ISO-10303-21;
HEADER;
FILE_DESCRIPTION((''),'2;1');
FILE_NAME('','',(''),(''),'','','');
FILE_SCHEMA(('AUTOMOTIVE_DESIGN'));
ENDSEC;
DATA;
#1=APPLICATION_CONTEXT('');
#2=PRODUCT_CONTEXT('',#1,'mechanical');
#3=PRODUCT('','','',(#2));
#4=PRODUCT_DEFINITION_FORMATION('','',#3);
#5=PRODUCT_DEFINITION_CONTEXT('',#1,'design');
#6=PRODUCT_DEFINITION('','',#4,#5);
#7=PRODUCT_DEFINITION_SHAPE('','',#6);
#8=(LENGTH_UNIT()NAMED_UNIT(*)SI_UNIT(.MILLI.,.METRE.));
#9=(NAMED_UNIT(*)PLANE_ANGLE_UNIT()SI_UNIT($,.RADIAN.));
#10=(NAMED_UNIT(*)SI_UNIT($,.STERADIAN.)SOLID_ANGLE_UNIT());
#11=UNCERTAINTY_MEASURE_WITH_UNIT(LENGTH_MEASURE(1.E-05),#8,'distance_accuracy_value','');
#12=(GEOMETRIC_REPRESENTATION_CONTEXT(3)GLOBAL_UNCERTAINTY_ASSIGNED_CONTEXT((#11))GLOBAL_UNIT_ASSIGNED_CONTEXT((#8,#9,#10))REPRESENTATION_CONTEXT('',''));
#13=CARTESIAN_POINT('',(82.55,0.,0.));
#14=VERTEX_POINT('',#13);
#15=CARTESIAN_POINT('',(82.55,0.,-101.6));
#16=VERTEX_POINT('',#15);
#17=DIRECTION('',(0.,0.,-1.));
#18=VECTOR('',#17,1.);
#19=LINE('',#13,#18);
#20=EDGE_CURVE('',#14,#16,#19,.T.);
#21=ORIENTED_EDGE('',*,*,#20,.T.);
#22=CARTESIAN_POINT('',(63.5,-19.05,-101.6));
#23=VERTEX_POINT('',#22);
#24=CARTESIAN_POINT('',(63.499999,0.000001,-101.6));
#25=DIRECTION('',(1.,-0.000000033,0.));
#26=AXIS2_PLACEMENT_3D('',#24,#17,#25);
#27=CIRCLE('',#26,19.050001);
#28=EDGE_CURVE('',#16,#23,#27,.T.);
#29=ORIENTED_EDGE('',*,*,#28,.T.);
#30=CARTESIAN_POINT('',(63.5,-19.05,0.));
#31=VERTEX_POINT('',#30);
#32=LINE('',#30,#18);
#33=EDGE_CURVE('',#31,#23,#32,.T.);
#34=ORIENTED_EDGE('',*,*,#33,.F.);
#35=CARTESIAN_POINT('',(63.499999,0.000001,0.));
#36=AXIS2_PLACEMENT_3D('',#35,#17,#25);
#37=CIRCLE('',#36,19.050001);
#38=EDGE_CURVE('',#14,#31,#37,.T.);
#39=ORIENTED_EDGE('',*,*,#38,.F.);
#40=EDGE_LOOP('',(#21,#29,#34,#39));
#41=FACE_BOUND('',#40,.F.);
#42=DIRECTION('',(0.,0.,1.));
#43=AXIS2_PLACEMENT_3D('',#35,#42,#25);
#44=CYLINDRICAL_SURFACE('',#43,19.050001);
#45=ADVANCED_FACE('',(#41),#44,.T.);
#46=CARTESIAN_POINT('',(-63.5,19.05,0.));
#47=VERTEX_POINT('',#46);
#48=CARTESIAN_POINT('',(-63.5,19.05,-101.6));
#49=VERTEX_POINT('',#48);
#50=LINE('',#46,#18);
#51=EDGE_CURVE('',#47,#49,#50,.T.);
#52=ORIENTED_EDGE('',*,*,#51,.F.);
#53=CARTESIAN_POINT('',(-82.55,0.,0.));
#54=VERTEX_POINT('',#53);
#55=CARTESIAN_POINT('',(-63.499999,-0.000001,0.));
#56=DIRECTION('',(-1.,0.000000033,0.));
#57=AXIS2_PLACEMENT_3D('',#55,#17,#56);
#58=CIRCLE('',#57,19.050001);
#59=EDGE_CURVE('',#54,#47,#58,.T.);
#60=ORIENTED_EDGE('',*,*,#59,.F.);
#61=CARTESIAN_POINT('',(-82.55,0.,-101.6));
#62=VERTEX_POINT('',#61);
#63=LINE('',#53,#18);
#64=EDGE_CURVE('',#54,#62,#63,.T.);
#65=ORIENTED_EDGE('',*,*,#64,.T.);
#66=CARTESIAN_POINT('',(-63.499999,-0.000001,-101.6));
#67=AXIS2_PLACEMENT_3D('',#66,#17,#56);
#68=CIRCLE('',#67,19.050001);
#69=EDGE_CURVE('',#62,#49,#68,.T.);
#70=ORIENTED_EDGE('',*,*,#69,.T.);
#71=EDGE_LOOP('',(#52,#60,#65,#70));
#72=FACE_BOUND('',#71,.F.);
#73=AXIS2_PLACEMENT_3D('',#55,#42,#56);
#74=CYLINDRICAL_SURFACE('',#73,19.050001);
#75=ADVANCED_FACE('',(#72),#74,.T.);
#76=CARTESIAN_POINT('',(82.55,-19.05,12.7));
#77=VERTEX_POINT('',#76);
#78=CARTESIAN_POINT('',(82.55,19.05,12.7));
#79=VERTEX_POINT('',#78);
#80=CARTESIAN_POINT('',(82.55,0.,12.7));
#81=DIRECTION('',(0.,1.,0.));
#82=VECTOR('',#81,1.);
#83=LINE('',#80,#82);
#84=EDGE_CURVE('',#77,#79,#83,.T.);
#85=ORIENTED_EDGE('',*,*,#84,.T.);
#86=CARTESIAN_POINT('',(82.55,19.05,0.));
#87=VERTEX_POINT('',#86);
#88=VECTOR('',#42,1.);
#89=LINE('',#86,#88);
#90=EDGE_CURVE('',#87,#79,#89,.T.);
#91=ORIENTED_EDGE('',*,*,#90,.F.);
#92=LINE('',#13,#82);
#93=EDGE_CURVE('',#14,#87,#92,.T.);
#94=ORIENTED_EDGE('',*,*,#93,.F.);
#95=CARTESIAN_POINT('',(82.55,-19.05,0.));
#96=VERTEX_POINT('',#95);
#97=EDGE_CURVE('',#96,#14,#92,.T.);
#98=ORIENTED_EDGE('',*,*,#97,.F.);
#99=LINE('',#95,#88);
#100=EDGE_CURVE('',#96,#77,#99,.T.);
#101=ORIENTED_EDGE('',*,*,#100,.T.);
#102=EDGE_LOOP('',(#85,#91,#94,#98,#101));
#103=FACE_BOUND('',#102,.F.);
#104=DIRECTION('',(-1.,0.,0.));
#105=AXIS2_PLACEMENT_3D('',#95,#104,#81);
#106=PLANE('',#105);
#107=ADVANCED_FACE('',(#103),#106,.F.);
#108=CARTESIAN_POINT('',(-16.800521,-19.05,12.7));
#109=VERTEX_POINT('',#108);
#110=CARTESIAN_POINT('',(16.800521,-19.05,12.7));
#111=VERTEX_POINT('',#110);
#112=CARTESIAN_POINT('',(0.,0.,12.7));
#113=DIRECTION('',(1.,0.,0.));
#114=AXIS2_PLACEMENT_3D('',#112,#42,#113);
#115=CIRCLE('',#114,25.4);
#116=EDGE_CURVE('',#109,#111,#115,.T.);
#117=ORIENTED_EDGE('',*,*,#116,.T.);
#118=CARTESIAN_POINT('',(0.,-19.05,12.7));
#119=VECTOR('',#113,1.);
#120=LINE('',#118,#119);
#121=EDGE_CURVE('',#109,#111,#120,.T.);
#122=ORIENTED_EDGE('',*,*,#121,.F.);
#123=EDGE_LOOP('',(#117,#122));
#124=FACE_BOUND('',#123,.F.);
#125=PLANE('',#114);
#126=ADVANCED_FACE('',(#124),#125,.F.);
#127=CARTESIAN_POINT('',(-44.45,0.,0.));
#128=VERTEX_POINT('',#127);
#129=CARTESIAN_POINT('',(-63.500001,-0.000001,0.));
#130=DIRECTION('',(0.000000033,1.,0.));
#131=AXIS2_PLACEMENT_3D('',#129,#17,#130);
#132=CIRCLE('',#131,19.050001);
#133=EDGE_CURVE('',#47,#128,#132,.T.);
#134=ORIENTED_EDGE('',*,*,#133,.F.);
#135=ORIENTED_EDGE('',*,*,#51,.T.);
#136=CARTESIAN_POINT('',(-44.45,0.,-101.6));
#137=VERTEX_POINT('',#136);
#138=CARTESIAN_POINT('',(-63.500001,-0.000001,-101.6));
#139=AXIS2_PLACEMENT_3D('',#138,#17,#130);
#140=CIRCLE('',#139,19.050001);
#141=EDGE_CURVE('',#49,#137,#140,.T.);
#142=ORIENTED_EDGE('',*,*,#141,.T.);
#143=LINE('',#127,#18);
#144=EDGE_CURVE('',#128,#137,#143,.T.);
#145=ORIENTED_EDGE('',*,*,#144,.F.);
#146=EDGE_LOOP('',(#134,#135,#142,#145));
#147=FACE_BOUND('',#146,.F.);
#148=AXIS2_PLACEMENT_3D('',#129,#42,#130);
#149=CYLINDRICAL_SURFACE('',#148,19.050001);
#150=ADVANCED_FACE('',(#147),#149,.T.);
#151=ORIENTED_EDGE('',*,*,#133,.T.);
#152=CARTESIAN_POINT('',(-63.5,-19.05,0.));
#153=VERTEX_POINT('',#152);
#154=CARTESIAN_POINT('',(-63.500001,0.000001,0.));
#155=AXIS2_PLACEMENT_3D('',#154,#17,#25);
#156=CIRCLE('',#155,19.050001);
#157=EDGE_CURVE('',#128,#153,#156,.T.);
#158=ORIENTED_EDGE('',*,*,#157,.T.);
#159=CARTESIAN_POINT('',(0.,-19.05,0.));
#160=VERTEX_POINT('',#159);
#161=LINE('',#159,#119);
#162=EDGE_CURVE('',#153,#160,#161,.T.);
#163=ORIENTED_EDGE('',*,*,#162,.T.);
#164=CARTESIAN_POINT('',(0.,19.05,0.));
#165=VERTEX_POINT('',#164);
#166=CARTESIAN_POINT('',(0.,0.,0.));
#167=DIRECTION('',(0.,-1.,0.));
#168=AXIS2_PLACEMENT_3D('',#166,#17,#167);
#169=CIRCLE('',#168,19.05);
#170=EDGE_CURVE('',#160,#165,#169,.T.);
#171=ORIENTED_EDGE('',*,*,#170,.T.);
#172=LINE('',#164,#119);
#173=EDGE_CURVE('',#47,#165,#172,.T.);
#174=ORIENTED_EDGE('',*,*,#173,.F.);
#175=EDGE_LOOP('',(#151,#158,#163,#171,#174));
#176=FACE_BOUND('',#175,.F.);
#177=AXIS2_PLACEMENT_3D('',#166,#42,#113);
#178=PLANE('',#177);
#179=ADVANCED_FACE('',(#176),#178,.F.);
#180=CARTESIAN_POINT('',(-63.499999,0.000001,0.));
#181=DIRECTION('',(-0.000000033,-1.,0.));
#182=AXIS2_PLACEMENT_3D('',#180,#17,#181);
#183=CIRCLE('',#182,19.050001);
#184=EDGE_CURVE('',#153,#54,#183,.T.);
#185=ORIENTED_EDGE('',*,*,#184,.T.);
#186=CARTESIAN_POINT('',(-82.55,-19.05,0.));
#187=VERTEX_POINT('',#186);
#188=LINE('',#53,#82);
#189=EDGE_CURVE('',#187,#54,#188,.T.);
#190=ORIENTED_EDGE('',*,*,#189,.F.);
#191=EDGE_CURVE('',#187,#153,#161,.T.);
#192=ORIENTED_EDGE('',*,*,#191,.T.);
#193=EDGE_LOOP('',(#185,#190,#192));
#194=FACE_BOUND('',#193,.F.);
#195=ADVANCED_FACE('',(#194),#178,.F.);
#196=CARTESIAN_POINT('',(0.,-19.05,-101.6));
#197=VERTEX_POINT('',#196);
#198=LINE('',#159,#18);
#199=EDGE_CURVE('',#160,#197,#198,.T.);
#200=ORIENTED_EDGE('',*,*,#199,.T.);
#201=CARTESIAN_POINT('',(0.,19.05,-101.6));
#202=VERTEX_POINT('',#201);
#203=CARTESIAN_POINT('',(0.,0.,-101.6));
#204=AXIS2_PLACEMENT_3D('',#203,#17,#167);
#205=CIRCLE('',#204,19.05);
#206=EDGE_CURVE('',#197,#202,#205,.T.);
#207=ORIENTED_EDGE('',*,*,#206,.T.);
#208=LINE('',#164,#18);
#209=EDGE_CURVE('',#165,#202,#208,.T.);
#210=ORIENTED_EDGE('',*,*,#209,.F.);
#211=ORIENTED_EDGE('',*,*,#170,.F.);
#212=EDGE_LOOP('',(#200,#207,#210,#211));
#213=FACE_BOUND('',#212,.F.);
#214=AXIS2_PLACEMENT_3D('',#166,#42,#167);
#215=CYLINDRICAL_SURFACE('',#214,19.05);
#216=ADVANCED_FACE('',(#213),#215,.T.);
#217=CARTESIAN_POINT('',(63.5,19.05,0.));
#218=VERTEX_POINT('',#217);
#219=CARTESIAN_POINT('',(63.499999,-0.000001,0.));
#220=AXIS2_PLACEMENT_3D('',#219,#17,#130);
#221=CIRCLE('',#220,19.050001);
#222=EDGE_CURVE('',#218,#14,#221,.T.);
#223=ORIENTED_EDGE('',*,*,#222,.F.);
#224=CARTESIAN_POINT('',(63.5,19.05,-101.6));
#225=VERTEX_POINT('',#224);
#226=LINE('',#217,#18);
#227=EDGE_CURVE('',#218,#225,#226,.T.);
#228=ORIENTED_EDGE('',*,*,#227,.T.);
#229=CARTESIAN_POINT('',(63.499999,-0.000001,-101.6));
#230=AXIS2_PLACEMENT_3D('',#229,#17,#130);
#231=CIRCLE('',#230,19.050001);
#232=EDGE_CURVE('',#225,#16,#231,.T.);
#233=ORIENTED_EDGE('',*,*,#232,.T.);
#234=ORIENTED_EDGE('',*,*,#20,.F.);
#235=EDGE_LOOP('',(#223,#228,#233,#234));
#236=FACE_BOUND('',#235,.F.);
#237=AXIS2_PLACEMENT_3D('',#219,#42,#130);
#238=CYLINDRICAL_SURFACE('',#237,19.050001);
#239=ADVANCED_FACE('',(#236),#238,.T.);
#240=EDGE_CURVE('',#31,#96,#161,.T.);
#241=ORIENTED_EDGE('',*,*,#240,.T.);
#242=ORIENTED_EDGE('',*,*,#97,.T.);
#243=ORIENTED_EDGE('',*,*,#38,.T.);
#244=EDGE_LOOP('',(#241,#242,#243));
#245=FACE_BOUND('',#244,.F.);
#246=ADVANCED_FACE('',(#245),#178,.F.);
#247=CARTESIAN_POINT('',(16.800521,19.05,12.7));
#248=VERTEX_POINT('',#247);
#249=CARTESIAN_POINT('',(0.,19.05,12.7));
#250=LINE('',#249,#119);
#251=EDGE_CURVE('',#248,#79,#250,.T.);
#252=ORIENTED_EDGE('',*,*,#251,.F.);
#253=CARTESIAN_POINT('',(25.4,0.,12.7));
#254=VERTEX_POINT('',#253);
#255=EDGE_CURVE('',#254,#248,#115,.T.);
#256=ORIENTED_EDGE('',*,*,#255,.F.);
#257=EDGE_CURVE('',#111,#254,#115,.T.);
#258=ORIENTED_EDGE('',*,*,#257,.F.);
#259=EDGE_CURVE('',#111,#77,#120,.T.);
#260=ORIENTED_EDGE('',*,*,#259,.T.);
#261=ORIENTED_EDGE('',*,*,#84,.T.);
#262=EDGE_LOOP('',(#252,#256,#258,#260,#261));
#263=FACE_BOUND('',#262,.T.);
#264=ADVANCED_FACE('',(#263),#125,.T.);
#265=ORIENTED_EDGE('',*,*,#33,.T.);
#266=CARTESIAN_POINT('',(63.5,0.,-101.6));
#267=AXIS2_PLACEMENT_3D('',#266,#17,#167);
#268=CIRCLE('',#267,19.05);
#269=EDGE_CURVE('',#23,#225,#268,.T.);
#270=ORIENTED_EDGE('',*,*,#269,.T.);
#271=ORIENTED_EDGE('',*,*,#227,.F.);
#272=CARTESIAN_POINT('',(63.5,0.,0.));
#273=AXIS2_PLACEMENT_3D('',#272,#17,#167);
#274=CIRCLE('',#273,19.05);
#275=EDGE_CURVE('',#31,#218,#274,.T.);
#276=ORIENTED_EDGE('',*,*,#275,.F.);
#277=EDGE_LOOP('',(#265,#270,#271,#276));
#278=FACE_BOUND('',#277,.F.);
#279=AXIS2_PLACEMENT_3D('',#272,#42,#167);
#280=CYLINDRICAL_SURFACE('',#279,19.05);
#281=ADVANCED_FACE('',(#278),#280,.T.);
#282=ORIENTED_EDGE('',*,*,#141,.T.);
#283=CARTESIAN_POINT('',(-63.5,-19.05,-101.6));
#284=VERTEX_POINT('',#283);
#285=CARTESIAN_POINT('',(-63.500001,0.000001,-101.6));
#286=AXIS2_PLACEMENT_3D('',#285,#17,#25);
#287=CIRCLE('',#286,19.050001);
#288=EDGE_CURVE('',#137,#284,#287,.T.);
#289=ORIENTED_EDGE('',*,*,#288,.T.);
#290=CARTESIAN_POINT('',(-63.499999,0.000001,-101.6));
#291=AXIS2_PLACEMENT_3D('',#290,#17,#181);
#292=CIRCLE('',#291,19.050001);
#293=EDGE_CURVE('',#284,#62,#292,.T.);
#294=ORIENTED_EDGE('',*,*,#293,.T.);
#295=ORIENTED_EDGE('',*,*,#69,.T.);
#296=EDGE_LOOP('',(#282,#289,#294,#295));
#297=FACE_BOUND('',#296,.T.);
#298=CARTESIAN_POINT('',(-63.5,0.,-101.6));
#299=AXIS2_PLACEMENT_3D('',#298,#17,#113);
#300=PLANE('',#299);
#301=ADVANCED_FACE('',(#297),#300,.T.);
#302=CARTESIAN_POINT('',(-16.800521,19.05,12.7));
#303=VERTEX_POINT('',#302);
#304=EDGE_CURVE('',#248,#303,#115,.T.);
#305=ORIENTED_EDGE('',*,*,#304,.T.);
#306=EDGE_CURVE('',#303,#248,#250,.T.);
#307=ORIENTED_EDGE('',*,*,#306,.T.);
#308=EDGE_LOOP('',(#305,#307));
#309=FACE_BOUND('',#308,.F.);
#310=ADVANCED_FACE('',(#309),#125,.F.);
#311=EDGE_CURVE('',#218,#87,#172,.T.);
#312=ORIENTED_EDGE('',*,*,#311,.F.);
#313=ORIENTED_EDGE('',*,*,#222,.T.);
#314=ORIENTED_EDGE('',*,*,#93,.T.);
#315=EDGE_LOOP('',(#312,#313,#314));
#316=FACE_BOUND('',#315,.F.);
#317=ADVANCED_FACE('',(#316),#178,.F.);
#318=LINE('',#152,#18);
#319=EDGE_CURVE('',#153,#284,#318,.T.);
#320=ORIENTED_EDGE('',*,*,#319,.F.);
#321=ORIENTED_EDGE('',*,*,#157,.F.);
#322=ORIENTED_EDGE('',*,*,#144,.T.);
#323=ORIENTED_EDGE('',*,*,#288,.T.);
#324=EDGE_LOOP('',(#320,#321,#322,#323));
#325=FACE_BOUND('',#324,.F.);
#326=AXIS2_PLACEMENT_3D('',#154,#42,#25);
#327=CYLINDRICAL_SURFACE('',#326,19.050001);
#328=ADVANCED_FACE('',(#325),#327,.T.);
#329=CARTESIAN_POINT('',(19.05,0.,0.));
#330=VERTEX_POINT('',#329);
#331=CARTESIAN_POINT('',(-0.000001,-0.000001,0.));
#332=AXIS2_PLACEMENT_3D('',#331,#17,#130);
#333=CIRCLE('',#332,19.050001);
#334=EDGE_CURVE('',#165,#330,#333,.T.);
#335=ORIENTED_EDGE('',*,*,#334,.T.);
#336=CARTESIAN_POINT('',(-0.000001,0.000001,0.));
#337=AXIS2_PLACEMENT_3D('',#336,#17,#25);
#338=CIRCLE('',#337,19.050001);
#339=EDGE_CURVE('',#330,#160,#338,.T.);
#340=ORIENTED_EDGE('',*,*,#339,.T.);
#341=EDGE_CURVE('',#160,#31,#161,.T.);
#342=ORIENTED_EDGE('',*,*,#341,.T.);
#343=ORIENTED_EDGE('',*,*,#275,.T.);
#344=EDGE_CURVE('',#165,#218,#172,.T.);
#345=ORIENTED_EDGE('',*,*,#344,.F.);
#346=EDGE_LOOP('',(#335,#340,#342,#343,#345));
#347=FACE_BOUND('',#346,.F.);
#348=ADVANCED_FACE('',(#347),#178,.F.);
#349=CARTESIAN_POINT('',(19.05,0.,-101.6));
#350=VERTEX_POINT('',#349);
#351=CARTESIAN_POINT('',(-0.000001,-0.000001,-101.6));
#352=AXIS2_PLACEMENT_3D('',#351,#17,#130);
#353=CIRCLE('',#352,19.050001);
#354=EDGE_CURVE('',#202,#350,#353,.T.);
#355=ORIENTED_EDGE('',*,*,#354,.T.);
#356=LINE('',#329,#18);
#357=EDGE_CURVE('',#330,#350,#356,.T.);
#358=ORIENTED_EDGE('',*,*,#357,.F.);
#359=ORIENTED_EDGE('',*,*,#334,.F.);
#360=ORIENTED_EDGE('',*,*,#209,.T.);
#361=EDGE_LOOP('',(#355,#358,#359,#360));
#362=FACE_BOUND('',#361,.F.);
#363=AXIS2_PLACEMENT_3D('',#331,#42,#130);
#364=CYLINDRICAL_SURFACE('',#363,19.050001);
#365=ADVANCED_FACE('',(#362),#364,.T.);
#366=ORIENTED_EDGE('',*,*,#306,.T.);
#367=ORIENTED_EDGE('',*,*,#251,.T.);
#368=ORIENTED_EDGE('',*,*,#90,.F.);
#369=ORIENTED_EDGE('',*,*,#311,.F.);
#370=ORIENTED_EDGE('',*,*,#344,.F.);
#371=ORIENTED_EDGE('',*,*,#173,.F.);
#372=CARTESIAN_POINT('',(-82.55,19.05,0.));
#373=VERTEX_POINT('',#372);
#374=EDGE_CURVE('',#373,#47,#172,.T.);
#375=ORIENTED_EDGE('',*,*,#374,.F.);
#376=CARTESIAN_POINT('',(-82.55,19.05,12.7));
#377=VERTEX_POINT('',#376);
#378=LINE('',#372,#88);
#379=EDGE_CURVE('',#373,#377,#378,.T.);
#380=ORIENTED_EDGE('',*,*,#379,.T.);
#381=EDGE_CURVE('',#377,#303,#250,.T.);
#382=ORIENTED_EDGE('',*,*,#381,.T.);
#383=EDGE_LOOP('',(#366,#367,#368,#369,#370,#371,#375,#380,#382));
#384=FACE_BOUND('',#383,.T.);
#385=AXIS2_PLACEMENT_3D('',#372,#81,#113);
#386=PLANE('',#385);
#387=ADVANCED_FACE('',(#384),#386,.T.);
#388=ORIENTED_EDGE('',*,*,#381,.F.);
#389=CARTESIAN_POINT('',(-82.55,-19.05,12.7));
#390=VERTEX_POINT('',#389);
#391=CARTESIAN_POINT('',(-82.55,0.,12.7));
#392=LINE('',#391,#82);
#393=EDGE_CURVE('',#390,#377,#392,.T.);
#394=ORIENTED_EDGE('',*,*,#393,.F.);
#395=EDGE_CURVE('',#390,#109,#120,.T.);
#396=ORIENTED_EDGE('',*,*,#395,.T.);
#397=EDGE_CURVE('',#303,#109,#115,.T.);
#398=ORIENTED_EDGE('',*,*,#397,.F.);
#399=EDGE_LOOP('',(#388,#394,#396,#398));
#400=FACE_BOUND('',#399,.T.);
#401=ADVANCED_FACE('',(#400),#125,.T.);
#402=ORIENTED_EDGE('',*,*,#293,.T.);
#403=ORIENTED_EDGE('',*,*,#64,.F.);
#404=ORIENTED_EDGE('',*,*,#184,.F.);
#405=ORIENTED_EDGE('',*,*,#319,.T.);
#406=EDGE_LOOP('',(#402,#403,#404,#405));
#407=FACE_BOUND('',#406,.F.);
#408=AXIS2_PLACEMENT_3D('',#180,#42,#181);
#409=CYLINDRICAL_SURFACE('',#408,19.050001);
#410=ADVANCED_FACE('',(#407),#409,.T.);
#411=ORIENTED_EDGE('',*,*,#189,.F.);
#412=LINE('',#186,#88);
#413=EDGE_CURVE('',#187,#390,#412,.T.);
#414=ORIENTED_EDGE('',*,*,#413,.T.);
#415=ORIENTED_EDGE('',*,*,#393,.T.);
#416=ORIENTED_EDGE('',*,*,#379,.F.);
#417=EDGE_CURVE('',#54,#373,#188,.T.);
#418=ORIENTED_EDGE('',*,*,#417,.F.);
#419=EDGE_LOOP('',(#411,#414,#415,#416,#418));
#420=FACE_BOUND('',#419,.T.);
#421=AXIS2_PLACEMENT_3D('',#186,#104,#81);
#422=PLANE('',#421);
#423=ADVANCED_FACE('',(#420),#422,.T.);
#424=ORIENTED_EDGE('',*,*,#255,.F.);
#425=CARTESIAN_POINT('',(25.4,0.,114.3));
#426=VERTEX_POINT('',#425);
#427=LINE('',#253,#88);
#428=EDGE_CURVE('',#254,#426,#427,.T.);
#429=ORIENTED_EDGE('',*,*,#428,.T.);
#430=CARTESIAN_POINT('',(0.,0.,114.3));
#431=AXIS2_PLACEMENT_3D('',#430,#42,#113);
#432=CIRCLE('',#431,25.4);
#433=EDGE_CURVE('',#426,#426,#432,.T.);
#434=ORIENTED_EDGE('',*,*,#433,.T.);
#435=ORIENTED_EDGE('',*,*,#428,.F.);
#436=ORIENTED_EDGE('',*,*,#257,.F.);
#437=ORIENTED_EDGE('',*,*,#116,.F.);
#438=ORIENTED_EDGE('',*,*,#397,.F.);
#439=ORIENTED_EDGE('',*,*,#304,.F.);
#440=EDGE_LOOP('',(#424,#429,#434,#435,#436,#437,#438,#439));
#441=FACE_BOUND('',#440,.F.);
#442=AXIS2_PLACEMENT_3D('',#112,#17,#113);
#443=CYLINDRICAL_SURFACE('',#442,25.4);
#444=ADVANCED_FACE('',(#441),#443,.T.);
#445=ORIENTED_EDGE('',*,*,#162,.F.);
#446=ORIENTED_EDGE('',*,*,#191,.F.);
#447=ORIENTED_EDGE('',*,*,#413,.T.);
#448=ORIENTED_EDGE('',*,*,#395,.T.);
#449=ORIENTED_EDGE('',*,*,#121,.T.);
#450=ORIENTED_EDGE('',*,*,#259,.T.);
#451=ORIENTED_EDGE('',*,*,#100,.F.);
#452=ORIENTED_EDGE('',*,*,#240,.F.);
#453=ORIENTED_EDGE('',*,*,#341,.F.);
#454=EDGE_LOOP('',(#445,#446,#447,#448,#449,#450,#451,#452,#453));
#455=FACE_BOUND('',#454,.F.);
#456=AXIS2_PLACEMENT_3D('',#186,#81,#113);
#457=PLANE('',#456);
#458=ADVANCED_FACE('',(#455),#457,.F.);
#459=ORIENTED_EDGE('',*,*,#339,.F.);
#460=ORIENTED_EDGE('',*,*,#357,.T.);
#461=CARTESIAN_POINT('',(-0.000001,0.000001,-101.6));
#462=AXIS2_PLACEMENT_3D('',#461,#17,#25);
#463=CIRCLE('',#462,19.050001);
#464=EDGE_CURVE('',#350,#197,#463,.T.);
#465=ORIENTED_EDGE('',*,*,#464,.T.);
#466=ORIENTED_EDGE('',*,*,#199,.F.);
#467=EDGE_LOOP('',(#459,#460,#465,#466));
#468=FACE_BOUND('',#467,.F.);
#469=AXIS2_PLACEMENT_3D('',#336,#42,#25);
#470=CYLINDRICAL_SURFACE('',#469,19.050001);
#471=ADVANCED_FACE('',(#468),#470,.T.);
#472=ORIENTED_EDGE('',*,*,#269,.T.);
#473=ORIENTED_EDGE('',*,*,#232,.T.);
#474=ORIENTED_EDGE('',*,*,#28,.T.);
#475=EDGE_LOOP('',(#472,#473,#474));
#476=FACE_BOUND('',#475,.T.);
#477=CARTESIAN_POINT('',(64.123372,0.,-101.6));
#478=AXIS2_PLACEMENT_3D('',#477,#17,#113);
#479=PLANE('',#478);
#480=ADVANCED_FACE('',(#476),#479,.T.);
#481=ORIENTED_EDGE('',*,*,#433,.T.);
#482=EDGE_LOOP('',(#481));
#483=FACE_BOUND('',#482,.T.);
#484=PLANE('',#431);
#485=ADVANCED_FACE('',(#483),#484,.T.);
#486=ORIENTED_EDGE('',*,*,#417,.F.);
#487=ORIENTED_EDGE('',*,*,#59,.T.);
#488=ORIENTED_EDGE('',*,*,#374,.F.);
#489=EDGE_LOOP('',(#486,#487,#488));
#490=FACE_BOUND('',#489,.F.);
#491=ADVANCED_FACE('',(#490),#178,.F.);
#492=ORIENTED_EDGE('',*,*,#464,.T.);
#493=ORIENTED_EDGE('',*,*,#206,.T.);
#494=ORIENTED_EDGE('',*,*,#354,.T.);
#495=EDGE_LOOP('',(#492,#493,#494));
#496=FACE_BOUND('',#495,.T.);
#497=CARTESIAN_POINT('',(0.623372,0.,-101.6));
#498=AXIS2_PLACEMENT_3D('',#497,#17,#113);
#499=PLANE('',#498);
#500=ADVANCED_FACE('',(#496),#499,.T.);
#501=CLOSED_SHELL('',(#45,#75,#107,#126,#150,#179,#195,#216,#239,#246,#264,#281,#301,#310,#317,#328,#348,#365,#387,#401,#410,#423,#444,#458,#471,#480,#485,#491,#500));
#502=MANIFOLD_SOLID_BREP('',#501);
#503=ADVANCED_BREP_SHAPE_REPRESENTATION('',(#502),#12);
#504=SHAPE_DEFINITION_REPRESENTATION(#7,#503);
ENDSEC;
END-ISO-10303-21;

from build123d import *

# Parameters (mm, degrees)
F0_W     = 165.1
F0_H     = 38.1
F1_DEPTH = 12.7
F2_R     = 25.4
F3_DEPTH = 101.6
F5_DEPTH = 101.6


with BuildPart() as f1:
    # F0 (on Top) → F1 (new body)
    with BuildSketch(Plane.XY):
        Rectangle(F0_W, F0_H)
    extrude(amount=F1_DEPTH)

    # F2 (on face) → F3 (join)
    with BuildSketch(Plane.XY.offset(12.7)):
        Circle(F2_R)
    extrude(amount=F3_DEPTH)

    # F4 (on face) → F5 (join)
    with BuildSketch(Plane(origin=(0, 0, 0), x_dir=(1, 0, 0), z_dir=(0, 0, -1))):
        with BuildLine():
            ThreePointArc((0, -19.05), (13.470384, -13.470384), (19.05, 0))
            ThreePointArc((19.05, 0), (13.470384, 13.470384), (0, 19.05))
            ThreePointArc((0, 19.05), (-19.05, 0), (0, -19.05))
        make_face()
        with BuildLine():
            ThreePointArc((82.55, 0), (76.970384, 13.470384), (63.5, 19.05))
            ThreePointArc((63.5, 19.05), (44.45, 0), (63.5, -19.05))
            ThreePointArc((63.5, -19.05), (76.970384, -13.470384), (82.55, 0))
        make_face()
        with BuildLine():
            ThreePointArc((-44.45, 0), (-50.029616, 13.470384), (-63.5, 19.05))
            ThreePointArc((-63.5, 19.05), (-76.970384, 13.470384), (-82.55, 0))
            ThreePointArc((-82.55, 0), (-76.970384, -13.470384), (-63.5, -19.05))
            ThreePointArc((-63.5, -19.05), (-50.029616, -13.470384), (-44.45, 0))
        make_face()
    extrude(amount=F5_DEPTH)


solid = f1.part
